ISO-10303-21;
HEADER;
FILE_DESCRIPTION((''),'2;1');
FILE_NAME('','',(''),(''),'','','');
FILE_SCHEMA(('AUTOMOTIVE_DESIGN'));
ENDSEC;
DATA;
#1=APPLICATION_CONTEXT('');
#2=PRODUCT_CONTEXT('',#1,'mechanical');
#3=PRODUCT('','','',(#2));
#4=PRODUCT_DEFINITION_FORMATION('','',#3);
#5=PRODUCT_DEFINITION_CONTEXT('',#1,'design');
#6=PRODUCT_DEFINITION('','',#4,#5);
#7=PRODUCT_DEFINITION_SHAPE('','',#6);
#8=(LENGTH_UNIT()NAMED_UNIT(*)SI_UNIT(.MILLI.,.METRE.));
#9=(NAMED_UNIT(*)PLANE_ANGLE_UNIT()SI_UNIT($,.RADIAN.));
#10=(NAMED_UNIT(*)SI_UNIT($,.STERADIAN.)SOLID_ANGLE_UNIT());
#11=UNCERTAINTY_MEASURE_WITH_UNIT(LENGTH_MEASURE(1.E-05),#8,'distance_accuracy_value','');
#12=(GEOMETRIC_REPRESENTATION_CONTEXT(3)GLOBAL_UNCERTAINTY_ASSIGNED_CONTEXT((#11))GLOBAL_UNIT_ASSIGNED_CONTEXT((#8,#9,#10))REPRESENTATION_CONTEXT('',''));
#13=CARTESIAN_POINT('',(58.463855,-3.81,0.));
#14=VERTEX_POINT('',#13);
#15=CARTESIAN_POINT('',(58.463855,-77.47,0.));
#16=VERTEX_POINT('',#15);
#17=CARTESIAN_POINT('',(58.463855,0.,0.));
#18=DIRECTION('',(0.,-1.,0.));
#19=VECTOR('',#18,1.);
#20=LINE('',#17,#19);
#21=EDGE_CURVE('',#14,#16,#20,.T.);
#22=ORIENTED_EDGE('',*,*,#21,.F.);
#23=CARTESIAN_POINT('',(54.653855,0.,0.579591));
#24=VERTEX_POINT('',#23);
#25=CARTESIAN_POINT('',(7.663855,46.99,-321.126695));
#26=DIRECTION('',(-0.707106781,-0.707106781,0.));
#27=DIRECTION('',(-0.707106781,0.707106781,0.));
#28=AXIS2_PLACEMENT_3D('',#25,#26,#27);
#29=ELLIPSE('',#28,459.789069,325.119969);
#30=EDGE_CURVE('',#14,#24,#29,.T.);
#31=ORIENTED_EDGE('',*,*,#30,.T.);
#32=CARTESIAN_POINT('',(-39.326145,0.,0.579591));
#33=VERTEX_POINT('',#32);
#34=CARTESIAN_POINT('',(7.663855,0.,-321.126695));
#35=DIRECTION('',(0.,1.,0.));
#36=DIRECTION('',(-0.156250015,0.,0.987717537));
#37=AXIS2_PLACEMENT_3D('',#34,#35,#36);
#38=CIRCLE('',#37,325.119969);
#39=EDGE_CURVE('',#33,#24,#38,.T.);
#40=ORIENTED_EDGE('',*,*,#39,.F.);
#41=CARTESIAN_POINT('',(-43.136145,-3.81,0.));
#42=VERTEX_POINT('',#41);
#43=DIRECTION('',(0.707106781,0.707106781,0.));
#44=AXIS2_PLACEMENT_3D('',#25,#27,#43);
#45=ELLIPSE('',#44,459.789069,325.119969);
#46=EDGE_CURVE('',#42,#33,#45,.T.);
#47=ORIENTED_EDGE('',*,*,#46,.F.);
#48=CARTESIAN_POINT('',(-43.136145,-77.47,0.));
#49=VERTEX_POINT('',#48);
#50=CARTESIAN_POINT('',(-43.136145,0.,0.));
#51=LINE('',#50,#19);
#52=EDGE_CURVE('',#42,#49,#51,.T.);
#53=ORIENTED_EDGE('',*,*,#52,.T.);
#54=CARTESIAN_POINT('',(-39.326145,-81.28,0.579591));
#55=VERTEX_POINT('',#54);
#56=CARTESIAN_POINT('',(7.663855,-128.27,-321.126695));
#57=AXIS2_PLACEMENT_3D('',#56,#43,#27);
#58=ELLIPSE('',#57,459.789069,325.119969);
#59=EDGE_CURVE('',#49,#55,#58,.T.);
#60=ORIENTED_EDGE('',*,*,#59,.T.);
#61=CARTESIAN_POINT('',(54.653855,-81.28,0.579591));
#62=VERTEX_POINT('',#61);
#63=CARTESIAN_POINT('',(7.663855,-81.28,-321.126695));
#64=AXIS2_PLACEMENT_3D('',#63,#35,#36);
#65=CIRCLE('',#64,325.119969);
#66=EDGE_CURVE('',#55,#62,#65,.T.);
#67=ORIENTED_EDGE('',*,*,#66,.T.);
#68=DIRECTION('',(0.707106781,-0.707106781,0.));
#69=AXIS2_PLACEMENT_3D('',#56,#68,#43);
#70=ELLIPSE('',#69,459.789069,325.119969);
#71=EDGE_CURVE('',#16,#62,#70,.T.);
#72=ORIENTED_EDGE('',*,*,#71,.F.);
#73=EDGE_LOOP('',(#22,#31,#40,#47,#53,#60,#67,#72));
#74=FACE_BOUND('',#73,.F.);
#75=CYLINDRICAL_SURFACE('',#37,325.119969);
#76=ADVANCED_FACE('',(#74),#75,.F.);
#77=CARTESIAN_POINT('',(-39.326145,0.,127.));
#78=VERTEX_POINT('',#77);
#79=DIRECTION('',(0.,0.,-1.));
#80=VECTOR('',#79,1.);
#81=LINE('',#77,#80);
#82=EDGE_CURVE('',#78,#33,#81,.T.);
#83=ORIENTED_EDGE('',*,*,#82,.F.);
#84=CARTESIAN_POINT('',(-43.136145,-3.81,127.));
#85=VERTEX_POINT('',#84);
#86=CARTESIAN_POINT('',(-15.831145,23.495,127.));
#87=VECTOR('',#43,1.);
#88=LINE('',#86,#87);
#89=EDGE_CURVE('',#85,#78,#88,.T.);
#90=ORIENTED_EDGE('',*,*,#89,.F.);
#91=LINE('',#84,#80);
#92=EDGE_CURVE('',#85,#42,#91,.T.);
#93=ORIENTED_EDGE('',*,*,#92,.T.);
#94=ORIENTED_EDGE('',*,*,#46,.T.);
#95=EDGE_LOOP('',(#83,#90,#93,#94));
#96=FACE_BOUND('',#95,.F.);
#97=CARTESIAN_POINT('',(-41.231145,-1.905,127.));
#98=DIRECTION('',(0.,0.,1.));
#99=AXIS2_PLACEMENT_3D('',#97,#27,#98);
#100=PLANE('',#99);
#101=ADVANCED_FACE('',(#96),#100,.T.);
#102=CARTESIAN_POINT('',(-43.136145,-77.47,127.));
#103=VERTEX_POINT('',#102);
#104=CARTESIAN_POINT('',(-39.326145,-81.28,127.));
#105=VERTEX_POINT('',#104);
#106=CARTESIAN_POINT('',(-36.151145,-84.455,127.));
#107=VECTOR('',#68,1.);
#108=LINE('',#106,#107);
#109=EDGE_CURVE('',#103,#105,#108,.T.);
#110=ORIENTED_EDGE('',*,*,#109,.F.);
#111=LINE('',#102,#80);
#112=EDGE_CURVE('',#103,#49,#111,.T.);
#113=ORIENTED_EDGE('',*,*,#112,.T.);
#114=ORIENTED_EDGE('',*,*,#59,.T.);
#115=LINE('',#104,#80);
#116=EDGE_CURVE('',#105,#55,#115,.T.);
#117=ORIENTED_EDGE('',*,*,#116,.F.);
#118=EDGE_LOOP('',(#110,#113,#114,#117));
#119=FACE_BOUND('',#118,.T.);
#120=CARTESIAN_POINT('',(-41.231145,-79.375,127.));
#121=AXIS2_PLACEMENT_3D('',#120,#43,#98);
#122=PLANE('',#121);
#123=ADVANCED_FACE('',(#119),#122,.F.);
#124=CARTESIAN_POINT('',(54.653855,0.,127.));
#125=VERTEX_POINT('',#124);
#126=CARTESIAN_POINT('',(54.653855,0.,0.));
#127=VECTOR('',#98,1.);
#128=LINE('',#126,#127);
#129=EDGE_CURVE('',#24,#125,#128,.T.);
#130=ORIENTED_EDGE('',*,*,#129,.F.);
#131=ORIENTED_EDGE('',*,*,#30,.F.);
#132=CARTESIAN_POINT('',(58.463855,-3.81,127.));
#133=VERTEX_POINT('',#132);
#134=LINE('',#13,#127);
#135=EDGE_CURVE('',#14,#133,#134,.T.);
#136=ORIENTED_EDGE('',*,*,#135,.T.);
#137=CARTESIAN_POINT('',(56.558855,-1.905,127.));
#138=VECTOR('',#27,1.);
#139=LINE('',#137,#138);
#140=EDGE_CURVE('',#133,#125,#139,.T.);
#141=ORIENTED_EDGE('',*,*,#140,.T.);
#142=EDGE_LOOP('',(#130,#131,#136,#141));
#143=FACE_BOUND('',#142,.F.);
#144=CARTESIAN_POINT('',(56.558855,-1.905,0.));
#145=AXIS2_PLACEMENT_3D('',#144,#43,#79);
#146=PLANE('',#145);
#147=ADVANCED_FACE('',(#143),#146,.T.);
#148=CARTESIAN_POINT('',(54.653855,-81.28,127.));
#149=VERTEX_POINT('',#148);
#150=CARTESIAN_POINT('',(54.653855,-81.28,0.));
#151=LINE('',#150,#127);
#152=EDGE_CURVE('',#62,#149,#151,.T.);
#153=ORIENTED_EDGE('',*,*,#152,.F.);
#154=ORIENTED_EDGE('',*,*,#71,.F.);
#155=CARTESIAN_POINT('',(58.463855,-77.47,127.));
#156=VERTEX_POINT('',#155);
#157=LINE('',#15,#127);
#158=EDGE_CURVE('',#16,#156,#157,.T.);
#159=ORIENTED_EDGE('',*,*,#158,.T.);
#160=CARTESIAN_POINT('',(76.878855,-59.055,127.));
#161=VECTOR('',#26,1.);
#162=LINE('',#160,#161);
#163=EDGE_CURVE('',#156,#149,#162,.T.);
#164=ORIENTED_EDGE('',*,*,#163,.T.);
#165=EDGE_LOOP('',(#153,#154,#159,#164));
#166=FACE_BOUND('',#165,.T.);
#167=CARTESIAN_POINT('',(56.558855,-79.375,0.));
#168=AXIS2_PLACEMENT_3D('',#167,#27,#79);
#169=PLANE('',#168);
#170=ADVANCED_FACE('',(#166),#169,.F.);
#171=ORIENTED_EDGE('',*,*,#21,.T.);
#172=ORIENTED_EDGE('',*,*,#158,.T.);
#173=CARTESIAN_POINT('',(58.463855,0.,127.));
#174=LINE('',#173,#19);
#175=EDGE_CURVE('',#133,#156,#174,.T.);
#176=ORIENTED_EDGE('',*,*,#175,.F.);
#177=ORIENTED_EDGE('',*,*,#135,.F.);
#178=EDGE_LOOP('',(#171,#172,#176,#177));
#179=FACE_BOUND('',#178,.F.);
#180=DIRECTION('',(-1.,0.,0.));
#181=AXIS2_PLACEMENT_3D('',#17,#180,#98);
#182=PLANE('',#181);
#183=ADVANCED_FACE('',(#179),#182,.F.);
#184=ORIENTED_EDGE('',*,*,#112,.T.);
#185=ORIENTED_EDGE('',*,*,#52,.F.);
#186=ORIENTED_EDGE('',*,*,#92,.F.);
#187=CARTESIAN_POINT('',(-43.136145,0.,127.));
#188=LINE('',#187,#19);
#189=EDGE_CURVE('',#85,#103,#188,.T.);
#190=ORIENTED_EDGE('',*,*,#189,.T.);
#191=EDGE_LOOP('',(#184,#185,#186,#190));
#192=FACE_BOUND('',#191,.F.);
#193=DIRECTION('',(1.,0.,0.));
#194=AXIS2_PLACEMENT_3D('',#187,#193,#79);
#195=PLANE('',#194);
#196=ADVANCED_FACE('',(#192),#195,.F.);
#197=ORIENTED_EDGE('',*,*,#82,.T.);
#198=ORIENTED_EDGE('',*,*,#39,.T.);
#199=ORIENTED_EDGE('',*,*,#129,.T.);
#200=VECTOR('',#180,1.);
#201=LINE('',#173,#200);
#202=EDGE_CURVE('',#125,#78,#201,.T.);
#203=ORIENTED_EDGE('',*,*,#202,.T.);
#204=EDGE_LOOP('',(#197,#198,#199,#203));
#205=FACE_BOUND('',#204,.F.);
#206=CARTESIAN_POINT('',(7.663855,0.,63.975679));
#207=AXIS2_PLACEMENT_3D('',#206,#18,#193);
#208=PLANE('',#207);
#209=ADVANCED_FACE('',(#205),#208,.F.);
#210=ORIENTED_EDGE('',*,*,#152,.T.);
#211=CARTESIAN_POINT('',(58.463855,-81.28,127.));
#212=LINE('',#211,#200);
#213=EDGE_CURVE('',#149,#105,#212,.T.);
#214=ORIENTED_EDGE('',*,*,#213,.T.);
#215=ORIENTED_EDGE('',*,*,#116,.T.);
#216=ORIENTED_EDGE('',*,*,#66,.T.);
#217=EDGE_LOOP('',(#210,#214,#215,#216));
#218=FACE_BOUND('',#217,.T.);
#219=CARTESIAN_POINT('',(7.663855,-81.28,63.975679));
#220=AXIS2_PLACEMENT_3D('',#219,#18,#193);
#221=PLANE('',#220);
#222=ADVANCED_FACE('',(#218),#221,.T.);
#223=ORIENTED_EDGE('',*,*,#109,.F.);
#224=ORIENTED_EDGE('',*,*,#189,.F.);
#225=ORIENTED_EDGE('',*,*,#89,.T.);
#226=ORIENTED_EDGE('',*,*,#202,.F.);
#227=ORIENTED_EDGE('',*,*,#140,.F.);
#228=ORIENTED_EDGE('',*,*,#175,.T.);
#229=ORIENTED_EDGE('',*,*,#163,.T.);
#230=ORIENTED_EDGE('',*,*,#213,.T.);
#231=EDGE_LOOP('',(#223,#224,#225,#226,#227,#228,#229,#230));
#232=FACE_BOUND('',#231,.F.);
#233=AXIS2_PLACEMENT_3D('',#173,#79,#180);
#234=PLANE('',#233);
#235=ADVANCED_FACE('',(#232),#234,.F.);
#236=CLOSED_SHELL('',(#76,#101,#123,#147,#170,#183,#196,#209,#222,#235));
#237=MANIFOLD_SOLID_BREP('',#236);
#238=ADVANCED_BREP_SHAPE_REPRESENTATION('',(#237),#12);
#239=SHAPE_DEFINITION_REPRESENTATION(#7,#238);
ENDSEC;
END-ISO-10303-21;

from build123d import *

# Parameters (mm, degrees)
F1_DEPTH = 81.28
F2_SIZE  = 3.81


with BuildPart() as f1:
    # F0 (on Front) → F1 (new body)
    with BuildSketch(Plane.XZ):
        with BuildLine():
            ThreePointArc((-43.136145, 0), (7.663855, 3.993274), (58.463855, 0))
            Line((58.463855, 0), (58.463855, 127))
            Line((58.463855, 127), (-43.136145, 127))
            Line((-43.136145, 127), (-43.136145, 0))
        make_face()
    extrude(amount=F1_DEPTH)

    # F2
    f2_edges = [f1.edges().sort_by_distance(p)[0] for p in [
        (-43.136145, -81.28, 63.5),
        (58.463855, -81.28, 63.5),
        (-43.136145, 0, 63.5),
        (58.463855, 0, 63.5),
    ]]
    chamfer(f2_edges, length=F2_SIZE)


solid = f1.part
